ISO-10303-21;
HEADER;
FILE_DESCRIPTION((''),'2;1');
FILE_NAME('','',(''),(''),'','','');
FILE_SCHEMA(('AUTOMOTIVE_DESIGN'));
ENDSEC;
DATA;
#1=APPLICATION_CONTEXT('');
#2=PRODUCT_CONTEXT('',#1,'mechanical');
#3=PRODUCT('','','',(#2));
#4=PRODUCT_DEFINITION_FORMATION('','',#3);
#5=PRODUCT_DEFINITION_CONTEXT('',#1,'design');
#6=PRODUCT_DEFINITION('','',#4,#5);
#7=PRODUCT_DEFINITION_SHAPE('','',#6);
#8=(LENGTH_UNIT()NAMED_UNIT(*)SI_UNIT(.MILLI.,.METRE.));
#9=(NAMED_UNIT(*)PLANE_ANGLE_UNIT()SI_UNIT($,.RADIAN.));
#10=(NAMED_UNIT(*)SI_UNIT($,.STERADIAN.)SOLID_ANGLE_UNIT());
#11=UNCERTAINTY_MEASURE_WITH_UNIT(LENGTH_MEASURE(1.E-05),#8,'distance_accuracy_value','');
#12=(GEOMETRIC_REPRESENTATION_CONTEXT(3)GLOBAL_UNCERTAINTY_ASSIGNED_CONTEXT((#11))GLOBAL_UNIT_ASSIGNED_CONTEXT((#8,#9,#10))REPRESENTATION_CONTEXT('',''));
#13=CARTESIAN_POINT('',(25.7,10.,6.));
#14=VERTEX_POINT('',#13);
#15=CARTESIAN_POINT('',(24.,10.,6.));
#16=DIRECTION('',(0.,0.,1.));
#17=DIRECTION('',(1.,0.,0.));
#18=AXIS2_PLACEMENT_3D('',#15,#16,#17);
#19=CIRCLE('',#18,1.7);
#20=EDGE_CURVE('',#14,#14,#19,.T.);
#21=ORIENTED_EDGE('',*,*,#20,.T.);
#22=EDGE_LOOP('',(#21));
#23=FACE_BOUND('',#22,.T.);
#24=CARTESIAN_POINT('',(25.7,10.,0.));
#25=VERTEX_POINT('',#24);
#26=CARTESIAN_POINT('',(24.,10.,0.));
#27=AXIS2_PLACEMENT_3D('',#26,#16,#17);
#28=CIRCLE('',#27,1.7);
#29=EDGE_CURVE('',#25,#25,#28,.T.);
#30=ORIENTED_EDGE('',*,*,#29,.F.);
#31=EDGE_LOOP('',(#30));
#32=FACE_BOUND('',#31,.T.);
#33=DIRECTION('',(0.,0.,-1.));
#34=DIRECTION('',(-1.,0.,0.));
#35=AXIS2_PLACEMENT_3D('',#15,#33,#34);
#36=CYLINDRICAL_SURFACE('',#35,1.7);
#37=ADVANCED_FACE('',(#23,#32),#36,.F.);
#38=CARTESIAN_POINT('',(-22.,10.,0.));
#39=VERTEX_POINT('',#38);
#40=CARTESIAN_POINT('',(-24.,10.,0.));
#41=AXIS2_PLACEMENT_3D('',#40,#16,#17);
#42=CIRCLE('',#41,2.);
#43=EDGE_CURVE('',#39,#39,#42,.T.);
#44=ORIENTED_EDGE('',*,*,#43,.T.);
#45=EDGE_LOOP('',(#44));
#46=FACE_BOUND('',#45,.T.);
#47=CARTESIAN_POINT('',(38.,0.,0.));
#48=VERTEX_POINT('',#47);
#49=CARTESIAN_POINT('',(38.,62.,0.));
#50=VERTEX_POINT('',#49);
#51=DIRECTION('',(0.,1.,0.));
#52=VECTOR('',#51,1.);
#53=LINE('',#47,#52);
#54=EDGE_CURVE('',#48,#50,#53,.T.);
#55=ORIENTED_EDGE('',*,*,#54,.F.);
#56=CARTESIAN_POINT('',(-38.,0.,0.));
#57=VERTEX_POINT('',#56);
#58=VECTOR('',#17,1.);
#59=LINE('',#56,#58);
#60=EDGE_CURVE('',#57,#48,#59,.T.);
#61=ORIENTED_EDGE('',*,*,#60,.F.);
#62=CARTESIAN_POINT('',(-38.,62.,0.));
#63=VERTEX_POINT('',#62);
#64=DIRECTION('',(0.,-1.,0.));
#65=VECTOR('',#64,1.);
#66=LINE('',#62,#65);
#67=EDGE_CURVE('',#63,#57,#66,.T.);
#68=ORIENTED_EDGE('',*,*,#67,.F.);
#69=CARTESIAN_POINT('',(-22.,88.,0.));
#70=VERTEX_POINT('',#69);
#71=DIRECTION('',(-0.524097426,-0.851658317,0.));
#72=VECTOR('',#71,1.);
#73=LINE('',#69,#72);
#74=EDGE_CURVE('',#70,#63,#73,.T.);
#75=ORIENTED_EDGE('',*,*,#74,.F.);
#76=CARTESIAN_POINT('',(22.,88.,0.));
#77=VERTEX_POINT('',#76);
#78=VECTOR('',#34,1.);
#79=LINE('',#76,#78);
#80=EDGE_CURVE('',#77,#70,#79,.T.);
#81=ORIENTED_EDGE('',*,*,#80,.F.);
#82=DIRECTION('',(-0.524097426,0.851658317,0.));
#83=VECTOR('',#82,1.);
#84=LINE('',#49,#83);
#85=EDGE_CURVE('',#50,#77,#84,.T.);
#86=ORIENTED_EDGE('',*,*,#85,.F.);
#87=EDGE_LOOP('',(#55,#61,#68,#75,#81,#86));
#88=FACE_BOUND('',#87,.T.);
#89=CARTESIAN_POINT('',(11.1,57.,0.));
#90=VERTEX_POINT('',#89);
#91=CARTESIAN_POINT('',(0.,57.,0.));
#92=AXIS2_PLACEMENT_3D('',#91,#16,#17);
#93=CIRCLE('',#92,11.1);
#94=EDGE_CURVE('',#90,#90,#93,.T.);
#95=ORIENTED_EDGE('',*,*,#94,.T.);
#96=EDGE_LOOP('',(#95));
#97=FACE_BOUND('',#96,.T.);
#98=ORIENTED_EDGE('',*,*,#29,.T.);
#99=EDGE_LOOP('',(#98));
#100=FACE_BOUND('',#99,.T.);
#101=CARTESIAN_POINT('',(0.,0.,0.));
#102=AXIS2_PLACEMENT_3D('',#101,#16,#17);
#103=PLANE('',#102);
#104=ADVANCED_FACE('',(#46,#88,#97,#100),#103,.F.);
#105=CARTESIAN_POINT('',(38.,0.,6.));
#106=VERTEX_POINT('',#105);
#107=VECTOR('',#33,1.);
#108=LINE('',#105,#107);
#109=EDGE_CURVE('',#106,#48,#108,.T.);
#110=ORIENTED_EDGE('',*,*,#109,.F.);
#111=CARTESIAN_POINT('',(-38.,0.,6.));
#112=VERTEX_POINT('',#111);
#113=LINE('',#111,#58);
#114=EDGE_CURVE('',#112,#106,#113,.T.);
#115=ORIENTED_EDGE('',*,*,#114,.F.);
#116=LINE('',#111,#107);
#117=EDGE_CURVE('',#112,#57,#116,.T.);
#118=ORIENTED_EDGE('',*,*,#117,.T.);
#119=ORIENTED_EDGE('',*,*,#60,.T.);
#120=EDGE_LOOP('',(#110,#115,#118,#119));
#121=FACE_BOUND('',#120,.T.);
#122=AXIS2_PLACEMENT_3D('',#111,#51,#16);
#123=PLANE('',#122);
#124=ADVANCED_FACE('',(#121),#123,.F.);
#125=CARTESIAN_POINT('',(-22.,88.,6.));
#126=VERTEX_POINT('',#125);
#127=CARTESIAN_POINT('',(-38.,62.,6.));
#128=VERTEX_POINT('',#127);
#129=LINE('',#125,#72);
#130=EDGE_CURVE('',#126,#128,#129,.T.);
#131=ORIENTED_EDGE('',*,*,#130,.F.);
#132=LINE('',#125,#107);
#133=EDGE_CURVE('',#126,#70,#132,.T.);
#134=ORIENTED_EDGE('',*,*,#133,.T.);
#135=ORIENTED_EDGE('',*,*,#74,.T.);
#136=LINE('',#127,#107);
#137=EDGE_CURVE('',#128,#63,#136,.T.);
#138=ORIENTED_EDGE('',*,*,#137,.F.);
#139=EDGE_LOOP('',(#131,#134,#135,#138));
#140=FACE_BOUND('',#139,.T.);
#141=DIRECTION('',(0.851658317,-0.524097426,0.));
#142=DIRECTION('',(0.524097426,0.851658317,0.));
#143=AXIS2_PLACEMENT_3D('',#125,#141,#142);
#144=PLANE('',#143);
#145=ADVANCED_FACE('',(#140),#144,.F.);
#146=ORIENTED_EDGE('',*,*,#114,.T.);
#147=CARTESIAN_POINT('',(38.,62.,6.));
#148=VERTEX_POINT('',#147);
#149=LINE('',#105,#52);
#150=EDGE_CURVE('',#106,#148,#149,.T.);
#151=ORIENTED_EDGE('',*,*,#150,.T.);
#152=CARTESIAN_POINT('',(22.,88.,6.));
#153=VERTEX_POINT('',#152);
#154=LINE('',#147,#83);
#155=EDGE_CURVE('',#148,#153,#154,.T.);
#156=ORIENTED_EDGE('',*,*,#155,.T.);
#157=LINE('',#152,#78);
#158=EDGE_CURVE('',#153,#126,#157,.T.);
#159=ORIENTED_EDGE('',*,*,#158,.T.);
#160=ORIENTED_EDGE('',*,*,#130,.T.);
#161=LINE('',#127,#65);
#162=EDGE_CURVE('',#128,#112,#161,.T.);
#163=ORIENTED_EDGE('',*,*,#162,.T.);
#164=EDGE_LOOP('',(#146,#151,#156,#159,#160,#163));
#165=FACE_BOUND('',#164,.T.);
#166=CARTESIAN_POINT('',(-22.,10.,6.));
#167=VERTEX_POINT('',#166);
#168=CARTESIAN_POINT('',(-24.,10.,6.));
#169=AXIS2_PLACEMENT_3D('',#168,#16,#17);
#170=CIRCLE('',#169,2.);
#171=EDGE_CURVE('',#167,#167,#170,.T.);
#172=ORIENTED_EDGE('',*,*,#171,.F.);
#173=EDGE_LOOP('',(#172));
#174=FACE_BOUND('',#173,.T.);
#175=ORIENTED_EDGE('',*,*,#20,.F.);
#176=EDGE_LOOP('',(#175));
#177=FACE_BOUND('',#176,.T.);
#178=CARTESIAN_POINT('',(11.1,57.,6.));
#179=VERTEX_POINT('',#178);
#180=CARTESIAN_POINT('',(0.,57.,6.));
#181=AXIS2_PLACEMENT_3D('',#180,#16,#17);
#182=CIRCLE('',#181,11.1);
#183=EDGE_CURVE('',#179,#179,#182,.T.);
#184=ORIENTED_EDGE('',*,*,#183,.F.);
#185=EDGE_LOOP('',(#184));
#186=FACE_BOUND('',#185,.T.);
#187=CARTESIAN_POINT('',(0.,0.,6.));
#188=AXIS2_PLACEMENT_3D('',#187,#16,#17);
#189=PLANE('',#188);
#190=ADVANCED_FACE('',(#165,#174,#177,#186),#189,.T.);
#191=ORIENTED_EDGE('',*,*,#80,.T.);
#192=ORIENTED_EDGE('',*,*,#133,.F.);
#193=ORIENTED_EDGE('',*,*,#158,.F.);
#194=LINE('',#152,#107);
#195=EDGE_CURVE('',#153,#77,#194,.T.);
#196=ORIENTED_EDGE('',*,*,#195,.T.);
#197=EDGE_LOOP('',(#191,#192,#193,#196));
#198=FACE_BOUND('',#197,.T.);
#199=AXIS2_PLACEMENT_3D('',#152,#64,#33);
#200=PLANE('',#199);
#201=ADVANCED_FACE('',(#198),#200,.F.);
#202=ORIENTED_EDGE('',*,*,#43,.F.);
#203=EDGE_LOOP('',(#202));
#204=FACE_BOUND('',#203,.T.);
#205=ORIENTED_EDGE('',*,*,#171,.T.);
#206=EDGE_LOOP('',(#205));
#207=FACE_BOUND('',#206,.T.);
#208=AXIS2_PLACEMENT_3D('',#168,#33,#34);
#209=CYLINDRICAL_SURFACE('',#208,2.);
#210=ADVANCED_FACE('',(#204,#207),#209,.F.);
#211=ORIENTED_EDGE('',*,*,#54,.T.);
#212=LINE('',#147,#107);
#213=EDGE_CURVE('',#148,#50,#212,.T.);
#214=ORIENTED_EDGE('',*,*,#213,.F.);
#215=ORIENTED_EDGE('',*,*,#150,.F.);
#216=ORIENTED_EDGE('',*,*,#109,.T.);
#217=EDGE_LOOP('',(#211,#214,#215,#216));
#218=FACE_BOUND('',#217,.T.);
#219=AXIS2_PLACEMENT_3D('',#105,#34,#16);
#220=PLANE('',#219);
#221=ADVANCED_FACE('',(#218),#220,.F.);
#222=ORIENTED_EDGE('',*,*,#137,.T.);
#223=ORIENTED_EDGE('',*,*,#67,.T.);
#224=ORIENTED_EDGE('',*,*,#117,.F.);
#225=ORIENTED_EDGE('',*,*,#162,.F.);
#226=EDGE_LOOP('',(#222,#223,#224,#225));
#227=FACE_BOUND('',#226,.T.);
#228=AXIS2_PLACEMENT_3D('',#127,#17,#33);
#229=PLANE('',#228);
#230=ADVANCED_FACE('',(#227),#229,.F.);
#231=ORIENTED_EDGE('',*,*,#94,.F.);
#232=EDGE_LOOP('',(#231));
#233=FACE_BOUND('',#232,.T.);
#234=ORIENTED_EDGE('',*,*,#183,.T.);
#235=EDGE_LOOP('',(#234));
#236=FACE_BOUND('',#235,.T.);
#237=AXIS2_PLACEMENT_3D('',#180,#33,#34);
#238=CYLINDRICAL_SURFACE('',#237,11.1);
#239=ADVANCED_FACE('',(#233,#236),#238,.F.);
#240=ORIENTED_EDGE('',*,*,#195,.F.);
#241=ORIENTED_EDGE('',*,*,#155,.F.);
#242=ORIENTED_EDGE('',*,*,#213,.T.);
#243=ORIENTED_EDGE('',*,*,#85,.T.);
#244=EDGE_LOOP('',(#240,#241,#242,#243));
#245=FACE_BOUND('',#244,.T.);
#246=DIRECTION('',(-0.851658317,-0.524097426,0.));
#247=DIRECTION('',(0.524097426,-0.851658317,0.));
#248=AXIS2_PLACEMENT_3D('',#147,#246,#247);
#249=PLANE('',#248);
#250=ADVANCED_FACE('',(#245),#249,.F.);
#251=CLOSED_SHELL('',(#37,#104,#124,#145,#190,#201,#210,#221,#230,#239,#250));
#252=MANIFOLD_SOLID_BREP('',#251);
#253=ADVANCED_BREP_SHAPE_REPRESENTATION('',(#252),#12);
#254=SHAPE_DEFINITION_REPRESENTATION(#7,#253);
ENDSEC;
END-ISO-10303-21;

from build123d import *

# Parameters (mm, degrees)
SKETCH_1_R                  = 11.1
SKETCH_1_R_2                = 2
SKETCH_1_R_3                = 1.7
F_08_TILT_IDLER_CHEEK_DEPTH = 6


with BuildPart() as part:
    # Эскиз1 → 08_Tilt_idler_cheek (new body)
    with BuildSketch(Plane.XY):
        Polygon((-38, 0), (38, 0), (38, 62), (22, 88), (-22, 88), (-38, 62), align=None)
        with Locations((0, 57)):
            Circle(SKETCH_1_R, mode=Mode.SUBTRACT)
        with Locations((-24, 10)):
            Circle(SKETCH_1_R_2, mode=Mode.SUBTRACT)
        with Locations((24, 10)):
            Circle(SKETCH_1_R_3, mode=Mode.SUBTRACT)
    extrude(amount=F_08_TILT_IDLER_CHEEK_DEPTH)


solid = part.part
